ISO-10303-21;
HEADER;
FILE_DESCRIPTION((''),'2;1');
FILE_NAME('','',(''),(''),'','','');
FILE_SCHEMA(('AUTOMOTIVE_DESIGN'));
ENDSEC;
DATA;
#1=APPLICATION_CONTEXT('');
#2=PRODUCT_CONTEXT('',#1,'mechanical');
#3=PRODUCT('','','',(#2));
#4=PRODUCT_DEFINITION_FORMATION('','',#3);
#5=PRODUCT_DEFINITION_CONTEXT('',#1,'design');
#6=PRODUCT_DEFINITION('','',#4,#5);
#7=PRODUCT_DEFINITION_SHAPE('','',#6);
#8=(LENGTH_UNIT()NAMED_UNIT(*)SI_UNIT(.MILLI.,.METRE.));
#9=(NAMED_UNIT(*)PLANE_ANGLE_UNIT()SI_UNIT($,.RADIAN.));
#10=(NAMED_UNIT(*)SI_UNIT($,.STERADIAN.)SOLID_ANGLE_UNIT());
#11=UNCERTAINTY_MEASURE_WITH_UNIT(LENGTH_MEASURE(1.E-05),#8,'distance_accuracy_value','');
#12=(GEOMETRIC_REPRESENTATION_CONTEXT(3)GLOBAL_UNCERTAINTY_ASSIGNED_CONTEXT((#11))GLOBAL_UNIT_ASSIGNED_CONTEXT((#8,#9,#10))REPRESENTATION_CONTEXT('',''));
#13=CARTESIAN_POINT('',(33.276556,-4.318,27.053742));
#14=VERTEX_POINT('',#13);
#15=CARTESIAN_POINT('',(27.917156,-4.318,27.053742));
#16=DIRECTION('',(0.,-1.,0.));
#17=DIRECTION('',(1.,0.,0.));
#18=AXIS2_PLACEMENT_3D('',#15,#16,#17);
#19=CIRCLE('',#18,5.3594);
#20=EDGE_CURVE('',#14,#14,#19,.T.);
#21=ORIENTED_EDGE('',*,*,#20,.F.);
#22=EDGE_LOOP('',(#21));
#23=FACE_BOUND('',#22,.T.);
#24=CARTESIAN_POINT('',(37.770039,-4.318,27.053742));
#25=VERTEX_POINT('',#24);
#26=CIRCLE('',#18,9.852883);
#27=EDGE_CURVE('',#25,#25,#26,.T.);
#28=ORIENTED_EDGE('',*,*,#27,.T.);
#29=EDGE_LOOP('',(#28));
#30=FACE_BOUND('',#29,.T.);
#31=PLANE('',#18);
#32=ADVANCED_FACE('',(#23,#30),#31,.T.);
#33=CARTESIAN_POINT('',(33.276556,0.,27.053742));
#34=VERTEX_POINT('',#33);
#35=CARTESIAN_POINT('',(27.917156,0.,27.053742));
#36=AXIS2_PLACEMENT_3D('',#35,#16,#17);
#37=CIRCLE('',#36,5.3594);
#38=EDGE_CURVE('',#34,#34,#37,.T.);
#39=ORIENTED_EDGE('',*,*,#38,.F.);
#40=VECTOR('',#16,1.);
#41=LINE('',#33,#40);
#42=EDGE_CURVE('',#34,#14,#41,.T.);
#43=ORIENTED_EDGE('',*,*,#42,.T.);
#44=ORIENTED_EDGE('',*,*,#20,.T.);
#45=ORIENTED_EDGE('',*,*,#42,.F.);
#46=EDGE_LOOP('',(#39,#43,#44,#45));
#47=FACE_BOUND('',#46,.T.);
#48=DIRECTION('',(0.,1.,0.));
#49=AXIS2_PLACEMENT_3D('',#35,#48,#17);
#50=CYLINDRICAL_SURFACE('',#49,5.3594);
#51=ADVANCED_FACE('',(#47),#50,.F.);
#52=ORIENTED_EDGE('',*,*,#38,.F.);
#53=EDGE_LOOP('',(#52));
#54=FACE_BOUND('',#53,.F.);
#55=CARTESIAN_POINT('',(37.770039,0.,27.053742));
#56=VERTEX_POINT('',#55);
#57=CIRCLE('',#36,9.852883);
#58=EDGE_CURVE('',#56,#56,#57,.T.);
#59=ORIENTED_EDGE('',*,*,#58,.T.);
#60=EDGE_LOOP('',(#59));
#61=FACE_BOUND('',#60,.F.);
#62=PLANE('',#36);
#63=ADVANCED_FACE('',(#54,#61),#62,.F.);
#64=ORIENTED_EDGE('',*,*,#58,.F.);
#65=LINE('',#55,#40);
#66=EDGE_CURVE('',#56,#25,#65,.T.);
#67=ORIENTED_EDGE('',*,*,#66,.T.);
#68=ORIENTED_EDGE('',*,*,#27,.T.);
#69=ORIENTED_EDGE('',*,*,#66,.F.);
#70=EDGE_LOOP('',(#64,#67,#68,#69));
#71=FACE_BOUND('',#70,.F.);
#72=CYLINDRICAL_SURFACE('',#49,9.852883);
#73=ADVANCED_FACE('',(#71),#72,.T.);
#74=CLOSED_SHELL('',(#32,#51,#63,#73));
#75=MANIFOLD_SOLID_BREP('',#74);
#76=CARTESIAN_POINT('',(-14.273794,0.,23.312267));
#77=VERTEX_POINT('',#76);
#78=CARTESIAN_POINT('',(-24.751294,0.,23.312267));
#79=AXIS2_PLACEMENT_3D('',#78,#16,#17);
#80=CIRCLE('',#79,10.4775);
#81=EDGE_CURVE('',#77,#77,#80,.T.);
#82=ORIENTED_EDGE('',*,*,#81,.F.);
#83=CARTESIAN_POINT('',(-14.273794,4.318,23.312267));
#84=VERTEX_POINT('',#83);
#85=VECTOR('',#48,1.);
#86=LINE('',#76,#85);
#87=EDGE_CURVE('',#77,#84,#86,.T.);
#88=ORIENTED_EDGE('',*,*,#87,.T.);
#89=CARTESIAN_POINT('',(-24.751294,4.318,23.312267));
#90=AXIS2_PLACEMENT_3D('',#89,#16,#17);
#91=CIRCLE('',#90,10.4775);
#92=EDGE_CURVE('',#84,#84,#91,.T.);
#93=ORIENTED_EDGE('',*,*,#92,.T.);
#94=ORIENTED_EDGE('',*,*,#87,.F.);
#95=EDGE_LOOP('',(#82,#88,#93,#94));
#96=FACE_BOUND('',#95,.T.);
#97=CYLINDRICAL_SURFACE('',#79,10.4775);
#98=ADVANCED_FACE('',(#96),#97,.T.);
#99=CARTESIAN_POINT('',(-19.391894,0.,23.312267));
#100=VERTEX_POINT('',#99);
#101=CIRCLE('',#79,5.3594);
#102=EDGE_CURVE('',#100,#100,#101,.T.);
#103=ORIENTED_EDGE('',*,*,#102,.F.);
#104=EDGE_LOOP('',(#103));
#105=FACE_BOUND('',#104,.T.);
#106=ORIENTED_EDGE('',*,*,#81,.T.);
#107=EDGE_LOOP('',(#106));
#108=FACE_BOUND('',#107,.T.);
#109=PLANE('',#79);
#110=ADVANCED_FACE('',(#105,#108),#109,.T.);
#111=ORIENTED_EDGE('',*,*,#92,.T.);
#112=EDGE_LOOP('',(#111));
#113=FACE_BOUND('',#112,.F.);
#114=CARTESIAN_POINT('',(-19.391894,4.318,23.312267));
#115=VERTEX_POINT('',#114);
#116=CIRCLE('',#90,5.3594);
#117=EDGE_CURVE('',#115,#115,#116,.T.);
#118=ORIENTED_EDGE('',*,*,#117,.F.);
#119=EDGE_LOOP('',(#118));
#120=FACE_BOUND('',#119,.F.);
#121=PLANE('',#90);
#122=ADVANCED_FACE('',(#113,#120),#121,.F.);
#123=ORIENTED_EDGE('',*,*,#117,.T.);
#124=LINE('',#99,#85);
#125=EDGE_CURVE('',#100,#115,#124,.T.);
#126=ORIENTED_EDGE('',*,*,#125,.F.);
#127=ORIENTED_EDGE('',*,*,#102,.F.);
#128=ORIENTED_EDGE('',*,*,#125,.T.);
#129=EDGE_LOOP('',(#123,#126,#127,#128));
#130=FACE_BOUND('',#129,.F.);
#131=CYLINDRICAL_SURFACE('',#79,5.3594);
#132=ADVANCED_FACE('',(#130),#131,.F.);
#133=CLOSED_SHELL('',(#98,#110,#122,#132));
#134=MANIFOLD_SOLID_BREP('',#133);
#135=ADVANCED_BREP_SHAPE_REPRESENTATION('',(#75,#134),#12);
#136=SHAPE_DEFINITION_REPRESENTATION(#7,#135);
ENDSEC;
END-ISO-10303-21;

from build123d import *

# Parameters (mm, degrees)
F0_R     = 10.4775
F0_R_2   = 5.3594
F1_DEPTH = 4.318
F2_R     = 9.852883
F2_R_2   = 5.3594
F3_DEPTH = 4.318


with BuildPart() as f1:
    # F0 (on Front) → F1 (new body)
    with BuildSketch(Plane.XZ):
        with Locations((-24.751294, 23.312267)):
            Circle(F0_R)
        with Locations((-24.751294, 23.312267)):
            Circle(F0_R_2, mode=Mode.SUBTRACT)
    extrude(amount=-F1_DEPTH)


with BuildPart() as f3:
    # F2 (on Front) → F3 (new body)
    with BuildSketch(Plane.XZ):
        with Locations((27.917156, 27.053742)):
            Circle(F2_R)
        with Locations((27.917156, 27.053742)):
            Circle(F2_R_2, mode=Mode.SUBTRACT)
    extrude(amount=F3_DEPTH)


solid = Compound([f1.part, f3.part])
